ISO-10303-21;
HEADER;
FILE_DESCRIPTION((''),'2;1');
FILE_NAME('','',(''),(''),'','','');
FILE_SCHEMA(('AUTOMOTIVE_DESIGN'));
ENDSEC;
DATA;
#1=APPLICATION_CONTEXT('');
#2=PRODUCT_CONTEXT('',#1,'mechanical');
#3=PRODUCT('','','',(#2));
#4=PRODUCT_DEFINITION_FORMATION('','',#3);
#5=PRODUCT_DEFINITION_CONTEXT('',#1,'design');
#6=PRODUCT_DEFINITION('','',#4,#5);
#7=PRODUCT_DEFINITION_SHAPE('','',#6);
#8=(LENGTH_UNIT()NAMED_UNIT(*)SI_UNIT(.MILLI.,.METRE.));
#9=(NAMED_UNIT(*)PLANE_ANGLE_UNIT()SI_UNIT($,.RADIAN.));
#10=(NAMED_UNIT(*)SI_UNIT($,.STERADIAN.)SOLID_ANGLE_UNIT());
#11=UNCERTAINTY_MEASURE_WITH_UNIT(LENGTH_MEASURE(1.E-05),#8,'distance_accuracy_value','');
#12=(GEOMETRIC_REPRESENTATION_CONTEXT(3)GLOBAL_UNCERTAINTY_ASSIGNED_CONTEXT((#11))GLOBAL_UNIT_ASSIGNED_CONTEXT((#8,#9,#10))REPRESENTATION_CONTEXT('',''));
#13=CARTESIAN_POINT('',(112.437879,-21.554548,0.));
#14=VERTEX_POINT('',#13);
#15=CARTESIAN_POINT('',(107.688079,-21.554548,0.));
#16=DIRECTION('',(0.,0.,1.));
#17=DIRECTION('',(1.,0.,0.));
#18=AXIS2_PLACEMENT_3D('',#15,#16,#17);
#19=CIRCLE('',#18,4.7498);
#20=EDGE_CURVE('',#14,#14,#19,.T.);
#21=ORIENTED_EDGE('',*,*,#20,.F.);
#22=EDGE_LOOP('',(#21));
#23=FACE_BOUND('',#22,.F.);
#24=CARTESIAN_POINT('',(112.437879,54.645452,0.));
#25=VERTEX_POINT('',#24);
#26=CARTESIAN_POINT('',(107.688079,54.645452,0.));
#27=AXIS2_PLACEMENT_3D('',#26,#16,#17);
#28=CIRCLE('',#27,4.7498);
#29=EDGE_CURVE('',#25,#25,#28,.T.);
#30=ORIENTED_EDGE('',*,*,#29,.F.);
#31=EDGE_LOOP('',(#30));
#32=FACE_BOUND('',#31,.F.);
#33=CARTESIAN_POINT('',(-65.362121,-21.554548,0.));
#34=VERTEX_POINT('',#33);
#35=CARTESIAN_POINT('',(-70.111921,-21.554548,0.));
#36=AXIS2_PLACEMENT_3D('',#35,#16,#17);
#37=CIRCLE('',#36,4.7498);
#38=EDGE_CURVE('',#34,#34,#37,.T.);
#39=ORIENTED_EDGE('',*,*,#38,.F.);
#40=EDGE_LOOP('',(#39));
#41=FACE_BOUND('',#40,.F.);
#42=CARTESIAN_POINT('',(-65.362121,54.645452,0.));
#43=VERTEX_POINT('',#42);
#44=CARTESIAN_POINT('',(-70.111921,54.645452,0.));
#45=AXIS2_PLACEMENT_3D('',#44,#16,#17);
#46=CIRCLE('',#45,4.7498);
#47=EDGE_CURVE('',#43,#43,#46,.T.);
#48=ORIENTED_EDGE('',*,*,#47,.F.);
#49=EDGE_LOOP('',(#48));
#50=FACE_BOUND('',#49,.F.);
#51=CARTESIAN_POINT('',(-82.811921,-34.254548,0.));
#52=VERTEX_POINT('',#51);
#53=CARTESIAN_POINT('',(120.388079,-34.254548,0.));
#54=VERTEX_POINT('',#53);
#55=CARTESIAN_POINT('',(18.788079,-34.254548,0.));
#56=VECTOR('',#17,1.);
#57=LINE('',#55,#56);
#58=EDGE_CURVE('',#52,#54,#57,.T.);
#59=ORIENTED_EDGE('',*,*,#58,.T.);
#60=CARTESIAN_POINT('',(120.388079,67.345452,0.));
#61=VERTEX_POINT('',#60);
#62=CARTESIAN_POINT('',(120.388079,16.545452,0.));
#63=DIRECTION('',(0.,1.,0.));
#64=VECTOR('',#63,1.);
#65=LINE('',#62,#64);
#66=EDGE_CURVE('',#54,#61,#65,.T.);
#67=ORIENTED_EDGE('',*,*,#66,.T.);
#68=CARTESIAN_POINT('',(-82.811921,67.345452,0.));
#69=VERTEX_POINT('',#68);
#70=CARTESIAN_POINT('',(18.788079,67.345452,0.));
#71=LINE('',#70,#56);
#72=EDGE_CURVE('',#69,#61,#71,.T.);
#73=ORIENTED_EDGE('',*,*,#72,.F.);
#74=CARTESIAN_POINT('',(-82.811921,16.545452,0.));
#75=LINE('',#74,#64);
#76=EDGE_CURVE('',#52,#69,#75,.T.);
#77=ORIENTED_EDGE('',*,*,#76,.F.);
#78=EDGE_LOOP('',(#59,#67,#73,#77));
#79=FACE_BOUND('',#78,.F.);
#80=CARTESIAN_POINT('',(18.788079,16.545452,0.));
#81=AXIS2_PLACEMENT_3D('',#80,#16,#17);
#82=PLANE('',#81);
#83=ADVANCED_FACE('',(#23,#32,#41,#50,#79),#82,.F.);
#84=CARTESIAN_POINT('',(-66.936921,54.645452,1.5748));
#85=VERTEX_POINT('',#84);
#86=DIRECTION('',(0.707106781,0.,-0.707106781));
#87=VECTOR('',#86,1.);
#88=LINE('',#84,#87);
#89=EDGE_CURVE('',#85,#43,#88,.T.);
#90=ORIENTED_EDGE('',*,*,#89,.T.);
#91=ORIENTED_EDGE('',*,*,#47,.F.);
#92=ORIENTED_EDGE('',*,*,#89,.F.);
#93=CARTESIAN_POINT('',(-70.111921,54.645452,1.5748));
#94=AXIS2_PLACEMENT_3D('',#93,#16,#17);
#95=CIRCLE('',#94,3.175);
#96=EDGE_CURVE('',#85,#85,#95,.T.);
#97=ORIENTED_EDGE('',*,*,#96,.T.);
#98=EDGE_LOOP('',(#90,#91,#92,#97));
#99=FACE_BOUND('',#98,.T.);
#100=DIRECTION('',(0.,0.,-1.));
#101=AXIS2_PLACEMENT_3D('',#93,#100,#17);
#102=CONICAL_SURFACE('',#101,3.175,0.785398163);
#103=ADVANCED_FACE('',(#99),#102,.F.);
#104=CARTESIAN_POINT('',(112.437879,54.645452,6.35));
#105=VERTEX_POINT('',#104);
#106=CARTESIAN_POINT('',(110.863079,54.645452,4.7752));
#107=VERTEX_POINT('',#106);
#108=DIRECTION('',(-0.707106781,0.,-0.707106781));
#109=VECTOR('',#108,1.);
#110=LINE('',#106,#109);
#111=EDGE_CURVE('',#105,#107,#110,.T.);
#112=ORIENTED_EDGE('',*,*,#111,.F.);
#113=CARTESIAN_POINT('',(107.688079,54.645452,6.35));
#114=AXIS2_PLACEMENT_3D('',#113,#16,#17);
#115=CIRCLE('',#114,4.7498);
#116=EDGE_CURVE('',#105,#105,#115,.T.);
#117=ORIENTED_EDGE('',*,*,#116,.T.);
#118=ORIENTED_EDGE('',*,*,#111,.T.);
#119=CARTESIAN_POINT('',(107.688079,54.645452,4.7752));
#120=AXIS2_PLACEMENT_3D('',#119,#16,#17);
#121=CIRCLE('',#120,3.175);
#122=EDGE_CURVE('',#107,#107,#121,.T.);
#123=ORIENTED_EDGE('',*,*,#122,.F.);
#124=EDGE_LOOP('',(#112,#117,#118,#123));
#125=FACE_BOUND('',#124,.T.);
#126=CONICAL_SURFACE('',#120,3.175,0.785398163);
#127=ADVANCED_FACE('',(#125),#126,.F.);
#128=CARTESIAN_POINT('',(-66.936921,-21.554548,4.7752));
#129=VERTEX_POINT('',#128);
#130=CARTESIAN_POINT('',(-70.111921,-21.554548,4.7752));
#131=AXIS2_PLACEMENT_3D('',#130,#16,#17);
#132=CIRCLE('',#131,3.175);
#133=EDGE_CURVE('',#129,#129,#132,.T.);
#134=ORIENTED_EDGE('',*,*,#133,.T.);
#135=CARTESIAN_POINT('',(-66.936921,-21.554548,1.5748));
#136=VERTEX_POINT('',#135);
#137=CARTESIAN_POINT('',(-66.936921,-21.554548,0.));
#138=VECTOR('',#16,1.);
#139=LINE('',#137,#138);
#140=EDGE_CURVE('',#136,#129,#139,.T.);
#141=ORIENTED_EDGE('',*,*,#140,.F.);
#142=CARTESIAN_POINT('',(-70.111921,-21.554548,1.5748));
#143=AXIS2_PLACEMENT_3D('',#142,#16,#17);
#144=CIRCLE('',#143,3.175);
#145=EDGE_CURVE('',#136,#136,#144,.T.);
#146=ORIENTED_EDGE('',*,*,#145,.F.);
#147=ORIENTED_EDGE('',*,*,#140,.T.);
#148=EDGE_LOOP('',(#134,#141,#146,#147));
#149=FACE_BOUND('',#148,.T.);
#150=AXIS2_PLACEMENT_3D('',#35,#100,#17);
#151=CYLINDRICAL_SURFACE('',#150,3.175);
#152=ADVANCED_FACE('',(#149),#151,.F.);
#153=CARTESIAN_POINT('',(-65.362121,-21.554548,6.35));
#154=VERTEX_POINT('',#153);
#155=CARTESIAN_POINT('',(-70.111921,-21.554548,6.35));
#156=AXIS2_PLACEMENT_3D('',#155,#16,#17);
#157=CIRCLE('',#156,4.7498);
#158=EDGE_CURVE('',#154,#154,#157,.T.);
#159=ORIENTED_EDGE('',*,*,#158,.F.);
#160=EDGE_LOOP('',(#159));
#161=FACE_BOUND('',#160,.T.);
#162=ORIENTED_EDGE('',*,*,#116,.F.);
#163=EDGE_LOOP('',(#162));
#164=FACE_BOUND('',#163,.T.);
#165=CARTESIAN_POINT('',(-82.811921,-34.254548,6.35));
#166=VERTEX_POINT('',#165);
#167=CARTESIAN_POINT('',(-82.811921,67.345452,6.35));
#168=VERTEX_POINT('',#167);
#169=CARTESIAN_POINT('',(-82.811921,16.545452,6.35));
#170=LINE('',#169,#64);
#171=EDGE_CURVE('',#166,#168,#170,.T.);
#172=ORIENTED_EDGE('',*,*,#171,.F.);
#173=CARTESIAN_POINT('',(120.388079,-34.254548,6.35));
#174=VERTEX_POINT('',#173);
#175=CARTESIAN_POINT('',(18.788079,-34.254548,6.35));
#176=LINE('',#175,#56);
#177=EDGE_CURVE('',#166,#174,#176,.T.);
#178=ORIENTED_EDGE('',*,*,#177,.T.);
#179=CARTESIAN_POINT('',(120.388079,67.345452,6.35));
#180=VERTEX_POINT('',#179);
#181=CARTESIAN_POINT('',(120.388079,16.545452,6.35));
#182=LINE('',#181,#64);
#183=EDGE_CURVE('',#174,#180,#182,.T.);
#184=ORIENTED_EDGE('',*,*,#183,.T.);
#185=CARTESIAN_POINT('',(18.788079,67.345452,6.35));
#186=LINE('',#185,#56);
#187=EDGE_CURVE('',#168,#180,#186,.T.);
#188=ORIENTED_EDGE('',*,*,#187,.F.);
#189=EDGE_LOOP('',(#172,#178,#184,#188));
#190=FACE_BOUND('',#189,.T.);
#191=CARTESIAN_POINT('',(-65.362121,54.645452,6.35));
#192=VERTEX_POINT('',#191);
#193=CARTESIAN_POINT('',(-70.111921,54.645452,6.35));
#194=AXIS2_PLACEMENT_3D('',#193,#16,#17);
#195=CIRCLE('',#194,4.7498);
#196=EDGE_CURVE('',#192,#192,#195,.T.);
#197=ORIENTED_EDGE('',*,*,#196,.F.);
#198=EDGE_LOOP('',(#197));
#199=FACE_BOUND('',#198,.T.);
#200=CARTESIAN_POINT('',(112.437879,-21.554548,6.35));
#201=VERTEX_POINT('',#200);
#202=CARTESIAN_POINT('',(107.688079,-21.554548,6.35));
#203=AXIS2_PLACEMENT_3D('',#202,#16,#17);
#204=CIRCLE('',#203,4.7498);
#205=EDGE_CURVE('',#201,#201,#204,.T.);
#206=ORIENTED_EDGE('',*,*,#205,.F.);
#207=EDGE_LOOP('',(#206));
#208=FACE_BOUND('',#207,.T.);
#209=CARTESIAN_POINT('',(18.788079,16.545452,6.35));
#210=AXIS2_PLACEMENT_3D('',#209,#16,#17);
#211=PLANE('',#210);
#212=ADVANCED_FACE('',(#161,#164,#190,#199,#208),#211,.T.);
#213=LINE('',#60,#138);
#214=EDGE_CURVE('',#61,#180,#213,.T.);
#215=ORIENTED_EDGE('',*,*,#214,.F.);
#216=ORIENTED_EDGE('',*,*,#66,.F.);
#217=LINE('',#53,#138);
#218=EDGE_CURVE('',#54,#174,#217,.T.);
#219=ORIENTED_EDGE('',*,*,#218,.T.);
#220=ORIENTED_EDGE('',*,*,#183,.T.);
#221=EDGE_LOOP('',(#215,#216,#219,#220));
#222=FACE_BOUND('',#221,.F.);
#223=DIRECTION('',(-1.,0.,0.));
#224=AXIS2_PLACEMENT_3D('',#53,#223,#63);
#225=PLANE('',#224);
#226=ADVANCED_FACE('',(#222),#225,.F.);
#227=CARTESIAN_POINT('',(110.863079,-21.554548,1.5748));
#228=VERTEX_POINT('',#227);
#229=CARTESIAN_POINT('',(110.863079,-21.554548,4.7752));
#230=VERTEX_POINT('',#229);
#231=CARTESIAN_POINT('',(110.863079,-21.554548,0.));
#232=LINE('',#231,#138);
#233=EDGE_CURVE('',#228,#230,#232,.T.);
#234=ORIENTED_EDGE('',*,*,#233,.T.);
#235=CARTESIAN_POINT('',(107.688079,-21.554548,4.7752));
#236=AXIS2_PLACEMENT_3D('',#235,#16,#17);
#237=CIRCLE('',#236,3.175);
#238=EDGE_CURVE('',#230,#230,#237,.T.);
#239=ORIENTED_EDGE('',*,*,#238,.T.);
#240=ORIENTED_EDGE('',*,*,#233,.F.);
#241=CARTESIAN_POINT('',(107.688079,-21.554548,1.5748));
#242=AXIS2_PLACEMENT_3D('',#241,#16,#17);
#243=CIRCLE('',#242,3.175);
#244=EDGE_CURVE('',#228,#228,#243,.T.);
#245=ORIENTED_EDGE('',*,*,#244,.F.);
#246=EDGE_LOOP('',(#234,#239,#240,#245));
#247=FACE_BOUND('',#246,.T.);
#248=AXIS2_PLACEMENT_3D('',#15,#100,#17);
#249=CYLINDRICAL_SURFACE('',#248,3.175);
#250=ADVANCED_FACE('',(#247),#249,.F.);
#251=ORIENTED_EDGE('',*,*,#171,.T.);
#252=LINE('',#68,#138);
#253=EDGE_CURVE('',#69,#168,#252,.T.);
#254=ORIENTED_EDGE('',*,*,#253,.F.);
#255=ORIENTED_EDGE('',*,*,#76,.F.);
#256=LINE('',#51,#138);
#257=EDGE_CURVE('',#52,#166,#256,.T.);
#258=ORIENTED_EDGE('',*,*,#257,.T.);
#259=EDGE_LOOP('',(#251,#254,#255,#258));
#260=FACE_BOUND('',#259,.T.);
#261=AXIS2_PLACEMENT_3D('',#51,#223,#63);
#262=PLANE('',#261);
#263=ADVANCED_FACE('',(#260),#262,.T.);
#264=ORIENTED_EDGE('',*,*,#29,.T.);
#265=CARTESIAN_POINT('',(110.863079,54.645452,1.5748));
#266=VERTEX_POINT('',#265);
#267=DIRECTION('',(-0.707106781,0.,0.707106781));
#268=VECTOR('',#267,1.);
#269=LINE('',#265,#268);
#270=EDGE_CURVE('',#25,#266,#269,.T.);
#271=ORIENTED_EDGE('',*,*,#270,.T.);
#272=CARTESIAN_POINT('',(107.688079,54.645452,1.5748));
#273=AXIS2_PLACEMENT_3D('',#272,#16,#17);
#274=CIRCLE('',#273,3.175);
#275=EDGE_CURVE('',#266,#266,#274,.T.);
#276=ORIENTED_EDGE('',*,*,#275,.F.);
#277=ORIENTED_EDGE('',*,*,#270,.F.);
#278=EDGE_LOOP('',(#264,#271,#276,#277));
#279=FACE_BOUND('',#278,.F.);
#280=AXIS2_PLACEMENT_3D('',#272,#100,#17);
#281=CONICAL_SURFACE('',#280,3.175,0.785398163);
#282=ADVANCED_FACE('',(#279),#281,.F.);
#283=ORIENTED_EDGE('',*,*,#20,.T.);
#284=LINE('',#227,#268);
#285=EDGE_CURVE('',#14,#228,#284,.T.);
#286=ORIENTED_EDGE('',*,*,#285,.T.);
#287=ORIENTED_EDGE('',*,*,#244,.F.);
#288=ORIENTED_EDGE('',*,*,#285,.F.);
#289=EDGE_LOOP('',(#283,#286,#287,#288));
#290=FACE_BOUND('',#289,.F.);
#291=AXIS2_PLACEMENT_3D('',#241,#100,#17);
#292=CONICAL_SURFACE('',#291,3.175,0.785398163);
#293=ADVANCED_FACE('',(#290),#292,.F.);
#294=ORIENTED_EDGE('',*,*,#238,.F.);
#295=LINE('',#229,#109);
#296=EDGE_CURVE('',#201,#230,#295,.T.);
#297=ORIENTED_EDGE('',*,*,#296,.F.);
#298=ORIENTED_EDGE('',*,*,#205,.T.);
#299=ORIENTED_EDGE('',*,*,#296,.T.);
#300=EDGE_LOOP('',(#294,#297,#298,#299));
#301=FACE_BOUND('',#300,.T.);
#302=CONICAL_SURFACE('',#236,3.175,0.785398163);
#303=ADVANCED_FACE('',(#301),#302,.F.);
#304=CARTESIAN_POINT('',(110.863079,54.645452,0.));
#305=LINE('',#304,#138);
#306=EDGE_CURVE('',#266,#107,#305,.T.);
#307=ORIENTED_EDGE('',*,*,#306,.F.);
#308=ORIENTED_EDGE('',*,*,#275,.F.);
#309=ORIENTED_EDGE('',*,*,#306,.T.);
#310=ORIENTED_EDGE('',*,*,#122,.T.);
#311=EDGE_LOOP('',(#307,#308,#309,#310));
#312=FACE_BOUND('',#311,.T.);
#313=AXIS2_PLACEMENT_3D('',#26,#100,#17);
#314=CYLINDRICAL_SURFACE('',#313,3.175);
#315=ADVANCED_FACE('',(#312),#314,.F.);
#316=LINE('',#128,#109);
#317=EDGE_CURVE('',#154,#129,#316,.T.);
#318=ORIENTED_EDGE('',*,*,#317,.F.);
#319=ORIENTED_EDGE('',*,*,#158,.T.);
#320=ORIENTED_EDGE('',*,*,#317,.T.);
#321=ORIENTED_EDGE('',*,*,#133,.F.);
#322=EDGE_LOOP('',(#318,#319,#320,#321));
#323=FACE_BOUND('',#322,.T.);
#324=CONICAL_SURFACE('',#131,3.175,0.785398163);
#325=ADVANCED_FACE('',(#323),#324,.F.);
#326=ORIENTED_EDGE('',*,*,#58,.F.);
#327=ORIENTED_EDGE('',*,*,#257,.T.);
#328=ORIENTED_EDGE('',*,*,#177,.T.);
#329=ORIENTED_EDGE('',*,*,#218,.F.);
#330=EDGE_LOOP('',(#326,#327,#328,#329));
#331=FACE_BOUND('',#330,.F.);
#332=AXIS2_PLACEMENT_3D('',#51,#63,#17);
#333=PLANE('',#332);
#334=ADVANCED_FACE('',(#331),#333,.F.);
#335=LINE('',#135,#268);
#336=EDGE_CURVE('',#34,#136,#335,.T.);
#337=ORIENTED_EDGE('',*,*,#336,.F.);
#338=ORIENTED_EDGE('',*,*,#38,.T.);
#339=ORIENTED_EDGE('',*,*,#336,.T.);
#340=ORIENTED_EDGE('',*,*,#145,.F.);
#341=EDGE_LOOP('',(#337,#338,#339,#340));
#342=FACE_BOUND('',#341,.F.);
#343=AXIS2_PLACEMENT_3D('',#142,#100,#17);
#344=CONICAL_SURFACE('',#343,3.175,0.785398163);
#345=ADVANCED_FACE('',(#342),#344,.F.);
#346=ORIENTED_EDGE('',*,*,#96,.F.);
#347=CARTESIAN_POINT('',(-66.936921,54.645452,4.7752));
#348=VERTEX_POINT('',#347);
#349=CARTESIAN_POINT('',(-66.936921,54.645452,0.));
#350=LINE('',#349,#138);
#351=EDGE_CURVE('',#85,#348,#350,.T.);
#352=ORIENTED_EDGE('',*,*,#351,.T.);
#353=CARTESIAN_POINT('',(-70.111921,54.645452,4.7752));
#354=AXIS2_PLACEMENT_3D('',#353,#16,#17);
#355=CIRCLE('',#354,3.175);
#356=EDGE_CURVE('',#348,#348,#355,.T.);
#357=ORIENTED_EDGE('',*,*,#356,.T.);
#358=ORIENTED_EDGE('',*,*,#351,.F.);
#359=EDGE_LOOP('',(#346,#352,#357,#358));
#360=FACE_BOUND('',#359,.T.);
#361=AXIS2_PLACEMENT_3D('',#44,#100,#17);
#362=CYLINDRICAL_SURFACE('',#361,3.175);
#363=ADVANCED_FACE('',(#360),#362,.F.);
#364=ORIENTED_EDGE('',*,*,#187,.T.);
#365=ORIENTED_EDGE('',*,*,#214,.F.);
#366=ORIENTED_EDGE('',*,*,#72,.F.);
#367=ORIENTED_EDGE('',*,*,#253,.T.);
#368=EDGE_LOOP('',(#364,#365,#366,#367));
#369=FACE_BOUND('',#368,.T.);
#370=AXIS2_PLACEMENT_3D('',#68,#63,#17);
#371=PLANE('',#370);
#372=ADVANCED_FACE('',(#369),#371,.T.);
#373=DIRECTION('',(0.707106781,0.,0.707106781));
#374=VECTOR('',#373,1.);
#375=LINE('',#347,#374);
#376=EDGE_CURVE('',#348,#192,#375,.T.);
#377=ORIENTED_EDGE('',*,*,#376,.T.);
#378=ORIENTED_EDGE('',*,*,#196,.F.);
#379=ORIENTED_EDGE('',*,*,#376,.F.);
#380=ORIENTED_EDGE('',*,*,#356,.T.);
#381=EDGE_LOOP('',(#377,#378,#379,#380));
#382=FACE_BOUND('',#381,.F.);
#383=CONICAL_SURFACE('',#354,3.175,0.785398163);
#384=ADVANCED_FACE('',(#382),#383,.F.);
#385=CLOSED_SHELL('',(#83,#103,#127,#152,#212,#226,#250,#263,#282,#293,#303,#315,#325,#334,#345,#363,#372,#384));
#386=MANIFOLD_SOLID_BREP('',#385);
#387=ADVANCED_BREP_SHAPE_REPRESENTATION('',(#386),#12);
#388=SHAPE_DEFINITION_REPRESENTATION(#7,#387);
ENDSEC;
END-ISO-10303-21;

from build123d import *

# Parameters (mm, degrees)
F0_W     = 203.2
F0_H     = 101.6
F0_R     = 3.175
F1_DEPTH = 6.35
F2_SIZE2 = 1.5748
F2_SIZE  = 1.5748
F3_SIZE2 = 1.5748
F3_SIZE  = 1.5748


with BuildPart() as f1:
    # F0 (on Top) → F1 (new body)
    with BuildSketch(Plane.XY):
        with Locations((18.788079, 16.545452)):
            Rectangle(F0_W, F0_H)
        with Locations((-70.111921, -21.554548)):
            Circle(F0_R, mode=Mode.SUBTRACT)
        with Locations((107.688079, -21.554548)):
            Circle(F0_R, mode=Mode.SUBTRACT)
        with Locations((-70.111921, 54.645452)):
            Circle(F0_R, mode=Mode.SUBTRACT)
        with Locations((107.688079, 54.645452)):
            Circle(F0_R, mode=Mode.SUBTRACT)
    extrude(amount=F1_DEPTH)

    # F2
    f2_edges = [f1.edges().sort_by_distance(p)[0] for p in [
        (-66.936921, 54.645452, 3.175),
        (-73.286921, 54.645452, 0),
        (-73.286921, 54.645452, 6.35),
    ]]
    chamfer(f2_edges, length=F2_SIZE, length2=F2_SIZE2)

    # F3
    f3_edges = [f1.edges().sort_by_distance(p)[0] for p in [
        (110.863079, 54.645452, 3.175),
        (104.513079, 54.645452, 0),
        (104.513079, 54.645452, 6.35),
        (110.863079, -21.554548, 3.175),
        (104.513079, -21.554548, 0),
        (104.513079, -21.554548, 6.35),
        (-66.936921, -21.554548, 3.175),
        (-73.286921, -21.554548, 0),
        (-73.286921, -21.554548, 6.35),
    ]]
    chamfer(f3_edges, length=F3_SIZE, length2=F3_SIZE2)


solid = f1.part
